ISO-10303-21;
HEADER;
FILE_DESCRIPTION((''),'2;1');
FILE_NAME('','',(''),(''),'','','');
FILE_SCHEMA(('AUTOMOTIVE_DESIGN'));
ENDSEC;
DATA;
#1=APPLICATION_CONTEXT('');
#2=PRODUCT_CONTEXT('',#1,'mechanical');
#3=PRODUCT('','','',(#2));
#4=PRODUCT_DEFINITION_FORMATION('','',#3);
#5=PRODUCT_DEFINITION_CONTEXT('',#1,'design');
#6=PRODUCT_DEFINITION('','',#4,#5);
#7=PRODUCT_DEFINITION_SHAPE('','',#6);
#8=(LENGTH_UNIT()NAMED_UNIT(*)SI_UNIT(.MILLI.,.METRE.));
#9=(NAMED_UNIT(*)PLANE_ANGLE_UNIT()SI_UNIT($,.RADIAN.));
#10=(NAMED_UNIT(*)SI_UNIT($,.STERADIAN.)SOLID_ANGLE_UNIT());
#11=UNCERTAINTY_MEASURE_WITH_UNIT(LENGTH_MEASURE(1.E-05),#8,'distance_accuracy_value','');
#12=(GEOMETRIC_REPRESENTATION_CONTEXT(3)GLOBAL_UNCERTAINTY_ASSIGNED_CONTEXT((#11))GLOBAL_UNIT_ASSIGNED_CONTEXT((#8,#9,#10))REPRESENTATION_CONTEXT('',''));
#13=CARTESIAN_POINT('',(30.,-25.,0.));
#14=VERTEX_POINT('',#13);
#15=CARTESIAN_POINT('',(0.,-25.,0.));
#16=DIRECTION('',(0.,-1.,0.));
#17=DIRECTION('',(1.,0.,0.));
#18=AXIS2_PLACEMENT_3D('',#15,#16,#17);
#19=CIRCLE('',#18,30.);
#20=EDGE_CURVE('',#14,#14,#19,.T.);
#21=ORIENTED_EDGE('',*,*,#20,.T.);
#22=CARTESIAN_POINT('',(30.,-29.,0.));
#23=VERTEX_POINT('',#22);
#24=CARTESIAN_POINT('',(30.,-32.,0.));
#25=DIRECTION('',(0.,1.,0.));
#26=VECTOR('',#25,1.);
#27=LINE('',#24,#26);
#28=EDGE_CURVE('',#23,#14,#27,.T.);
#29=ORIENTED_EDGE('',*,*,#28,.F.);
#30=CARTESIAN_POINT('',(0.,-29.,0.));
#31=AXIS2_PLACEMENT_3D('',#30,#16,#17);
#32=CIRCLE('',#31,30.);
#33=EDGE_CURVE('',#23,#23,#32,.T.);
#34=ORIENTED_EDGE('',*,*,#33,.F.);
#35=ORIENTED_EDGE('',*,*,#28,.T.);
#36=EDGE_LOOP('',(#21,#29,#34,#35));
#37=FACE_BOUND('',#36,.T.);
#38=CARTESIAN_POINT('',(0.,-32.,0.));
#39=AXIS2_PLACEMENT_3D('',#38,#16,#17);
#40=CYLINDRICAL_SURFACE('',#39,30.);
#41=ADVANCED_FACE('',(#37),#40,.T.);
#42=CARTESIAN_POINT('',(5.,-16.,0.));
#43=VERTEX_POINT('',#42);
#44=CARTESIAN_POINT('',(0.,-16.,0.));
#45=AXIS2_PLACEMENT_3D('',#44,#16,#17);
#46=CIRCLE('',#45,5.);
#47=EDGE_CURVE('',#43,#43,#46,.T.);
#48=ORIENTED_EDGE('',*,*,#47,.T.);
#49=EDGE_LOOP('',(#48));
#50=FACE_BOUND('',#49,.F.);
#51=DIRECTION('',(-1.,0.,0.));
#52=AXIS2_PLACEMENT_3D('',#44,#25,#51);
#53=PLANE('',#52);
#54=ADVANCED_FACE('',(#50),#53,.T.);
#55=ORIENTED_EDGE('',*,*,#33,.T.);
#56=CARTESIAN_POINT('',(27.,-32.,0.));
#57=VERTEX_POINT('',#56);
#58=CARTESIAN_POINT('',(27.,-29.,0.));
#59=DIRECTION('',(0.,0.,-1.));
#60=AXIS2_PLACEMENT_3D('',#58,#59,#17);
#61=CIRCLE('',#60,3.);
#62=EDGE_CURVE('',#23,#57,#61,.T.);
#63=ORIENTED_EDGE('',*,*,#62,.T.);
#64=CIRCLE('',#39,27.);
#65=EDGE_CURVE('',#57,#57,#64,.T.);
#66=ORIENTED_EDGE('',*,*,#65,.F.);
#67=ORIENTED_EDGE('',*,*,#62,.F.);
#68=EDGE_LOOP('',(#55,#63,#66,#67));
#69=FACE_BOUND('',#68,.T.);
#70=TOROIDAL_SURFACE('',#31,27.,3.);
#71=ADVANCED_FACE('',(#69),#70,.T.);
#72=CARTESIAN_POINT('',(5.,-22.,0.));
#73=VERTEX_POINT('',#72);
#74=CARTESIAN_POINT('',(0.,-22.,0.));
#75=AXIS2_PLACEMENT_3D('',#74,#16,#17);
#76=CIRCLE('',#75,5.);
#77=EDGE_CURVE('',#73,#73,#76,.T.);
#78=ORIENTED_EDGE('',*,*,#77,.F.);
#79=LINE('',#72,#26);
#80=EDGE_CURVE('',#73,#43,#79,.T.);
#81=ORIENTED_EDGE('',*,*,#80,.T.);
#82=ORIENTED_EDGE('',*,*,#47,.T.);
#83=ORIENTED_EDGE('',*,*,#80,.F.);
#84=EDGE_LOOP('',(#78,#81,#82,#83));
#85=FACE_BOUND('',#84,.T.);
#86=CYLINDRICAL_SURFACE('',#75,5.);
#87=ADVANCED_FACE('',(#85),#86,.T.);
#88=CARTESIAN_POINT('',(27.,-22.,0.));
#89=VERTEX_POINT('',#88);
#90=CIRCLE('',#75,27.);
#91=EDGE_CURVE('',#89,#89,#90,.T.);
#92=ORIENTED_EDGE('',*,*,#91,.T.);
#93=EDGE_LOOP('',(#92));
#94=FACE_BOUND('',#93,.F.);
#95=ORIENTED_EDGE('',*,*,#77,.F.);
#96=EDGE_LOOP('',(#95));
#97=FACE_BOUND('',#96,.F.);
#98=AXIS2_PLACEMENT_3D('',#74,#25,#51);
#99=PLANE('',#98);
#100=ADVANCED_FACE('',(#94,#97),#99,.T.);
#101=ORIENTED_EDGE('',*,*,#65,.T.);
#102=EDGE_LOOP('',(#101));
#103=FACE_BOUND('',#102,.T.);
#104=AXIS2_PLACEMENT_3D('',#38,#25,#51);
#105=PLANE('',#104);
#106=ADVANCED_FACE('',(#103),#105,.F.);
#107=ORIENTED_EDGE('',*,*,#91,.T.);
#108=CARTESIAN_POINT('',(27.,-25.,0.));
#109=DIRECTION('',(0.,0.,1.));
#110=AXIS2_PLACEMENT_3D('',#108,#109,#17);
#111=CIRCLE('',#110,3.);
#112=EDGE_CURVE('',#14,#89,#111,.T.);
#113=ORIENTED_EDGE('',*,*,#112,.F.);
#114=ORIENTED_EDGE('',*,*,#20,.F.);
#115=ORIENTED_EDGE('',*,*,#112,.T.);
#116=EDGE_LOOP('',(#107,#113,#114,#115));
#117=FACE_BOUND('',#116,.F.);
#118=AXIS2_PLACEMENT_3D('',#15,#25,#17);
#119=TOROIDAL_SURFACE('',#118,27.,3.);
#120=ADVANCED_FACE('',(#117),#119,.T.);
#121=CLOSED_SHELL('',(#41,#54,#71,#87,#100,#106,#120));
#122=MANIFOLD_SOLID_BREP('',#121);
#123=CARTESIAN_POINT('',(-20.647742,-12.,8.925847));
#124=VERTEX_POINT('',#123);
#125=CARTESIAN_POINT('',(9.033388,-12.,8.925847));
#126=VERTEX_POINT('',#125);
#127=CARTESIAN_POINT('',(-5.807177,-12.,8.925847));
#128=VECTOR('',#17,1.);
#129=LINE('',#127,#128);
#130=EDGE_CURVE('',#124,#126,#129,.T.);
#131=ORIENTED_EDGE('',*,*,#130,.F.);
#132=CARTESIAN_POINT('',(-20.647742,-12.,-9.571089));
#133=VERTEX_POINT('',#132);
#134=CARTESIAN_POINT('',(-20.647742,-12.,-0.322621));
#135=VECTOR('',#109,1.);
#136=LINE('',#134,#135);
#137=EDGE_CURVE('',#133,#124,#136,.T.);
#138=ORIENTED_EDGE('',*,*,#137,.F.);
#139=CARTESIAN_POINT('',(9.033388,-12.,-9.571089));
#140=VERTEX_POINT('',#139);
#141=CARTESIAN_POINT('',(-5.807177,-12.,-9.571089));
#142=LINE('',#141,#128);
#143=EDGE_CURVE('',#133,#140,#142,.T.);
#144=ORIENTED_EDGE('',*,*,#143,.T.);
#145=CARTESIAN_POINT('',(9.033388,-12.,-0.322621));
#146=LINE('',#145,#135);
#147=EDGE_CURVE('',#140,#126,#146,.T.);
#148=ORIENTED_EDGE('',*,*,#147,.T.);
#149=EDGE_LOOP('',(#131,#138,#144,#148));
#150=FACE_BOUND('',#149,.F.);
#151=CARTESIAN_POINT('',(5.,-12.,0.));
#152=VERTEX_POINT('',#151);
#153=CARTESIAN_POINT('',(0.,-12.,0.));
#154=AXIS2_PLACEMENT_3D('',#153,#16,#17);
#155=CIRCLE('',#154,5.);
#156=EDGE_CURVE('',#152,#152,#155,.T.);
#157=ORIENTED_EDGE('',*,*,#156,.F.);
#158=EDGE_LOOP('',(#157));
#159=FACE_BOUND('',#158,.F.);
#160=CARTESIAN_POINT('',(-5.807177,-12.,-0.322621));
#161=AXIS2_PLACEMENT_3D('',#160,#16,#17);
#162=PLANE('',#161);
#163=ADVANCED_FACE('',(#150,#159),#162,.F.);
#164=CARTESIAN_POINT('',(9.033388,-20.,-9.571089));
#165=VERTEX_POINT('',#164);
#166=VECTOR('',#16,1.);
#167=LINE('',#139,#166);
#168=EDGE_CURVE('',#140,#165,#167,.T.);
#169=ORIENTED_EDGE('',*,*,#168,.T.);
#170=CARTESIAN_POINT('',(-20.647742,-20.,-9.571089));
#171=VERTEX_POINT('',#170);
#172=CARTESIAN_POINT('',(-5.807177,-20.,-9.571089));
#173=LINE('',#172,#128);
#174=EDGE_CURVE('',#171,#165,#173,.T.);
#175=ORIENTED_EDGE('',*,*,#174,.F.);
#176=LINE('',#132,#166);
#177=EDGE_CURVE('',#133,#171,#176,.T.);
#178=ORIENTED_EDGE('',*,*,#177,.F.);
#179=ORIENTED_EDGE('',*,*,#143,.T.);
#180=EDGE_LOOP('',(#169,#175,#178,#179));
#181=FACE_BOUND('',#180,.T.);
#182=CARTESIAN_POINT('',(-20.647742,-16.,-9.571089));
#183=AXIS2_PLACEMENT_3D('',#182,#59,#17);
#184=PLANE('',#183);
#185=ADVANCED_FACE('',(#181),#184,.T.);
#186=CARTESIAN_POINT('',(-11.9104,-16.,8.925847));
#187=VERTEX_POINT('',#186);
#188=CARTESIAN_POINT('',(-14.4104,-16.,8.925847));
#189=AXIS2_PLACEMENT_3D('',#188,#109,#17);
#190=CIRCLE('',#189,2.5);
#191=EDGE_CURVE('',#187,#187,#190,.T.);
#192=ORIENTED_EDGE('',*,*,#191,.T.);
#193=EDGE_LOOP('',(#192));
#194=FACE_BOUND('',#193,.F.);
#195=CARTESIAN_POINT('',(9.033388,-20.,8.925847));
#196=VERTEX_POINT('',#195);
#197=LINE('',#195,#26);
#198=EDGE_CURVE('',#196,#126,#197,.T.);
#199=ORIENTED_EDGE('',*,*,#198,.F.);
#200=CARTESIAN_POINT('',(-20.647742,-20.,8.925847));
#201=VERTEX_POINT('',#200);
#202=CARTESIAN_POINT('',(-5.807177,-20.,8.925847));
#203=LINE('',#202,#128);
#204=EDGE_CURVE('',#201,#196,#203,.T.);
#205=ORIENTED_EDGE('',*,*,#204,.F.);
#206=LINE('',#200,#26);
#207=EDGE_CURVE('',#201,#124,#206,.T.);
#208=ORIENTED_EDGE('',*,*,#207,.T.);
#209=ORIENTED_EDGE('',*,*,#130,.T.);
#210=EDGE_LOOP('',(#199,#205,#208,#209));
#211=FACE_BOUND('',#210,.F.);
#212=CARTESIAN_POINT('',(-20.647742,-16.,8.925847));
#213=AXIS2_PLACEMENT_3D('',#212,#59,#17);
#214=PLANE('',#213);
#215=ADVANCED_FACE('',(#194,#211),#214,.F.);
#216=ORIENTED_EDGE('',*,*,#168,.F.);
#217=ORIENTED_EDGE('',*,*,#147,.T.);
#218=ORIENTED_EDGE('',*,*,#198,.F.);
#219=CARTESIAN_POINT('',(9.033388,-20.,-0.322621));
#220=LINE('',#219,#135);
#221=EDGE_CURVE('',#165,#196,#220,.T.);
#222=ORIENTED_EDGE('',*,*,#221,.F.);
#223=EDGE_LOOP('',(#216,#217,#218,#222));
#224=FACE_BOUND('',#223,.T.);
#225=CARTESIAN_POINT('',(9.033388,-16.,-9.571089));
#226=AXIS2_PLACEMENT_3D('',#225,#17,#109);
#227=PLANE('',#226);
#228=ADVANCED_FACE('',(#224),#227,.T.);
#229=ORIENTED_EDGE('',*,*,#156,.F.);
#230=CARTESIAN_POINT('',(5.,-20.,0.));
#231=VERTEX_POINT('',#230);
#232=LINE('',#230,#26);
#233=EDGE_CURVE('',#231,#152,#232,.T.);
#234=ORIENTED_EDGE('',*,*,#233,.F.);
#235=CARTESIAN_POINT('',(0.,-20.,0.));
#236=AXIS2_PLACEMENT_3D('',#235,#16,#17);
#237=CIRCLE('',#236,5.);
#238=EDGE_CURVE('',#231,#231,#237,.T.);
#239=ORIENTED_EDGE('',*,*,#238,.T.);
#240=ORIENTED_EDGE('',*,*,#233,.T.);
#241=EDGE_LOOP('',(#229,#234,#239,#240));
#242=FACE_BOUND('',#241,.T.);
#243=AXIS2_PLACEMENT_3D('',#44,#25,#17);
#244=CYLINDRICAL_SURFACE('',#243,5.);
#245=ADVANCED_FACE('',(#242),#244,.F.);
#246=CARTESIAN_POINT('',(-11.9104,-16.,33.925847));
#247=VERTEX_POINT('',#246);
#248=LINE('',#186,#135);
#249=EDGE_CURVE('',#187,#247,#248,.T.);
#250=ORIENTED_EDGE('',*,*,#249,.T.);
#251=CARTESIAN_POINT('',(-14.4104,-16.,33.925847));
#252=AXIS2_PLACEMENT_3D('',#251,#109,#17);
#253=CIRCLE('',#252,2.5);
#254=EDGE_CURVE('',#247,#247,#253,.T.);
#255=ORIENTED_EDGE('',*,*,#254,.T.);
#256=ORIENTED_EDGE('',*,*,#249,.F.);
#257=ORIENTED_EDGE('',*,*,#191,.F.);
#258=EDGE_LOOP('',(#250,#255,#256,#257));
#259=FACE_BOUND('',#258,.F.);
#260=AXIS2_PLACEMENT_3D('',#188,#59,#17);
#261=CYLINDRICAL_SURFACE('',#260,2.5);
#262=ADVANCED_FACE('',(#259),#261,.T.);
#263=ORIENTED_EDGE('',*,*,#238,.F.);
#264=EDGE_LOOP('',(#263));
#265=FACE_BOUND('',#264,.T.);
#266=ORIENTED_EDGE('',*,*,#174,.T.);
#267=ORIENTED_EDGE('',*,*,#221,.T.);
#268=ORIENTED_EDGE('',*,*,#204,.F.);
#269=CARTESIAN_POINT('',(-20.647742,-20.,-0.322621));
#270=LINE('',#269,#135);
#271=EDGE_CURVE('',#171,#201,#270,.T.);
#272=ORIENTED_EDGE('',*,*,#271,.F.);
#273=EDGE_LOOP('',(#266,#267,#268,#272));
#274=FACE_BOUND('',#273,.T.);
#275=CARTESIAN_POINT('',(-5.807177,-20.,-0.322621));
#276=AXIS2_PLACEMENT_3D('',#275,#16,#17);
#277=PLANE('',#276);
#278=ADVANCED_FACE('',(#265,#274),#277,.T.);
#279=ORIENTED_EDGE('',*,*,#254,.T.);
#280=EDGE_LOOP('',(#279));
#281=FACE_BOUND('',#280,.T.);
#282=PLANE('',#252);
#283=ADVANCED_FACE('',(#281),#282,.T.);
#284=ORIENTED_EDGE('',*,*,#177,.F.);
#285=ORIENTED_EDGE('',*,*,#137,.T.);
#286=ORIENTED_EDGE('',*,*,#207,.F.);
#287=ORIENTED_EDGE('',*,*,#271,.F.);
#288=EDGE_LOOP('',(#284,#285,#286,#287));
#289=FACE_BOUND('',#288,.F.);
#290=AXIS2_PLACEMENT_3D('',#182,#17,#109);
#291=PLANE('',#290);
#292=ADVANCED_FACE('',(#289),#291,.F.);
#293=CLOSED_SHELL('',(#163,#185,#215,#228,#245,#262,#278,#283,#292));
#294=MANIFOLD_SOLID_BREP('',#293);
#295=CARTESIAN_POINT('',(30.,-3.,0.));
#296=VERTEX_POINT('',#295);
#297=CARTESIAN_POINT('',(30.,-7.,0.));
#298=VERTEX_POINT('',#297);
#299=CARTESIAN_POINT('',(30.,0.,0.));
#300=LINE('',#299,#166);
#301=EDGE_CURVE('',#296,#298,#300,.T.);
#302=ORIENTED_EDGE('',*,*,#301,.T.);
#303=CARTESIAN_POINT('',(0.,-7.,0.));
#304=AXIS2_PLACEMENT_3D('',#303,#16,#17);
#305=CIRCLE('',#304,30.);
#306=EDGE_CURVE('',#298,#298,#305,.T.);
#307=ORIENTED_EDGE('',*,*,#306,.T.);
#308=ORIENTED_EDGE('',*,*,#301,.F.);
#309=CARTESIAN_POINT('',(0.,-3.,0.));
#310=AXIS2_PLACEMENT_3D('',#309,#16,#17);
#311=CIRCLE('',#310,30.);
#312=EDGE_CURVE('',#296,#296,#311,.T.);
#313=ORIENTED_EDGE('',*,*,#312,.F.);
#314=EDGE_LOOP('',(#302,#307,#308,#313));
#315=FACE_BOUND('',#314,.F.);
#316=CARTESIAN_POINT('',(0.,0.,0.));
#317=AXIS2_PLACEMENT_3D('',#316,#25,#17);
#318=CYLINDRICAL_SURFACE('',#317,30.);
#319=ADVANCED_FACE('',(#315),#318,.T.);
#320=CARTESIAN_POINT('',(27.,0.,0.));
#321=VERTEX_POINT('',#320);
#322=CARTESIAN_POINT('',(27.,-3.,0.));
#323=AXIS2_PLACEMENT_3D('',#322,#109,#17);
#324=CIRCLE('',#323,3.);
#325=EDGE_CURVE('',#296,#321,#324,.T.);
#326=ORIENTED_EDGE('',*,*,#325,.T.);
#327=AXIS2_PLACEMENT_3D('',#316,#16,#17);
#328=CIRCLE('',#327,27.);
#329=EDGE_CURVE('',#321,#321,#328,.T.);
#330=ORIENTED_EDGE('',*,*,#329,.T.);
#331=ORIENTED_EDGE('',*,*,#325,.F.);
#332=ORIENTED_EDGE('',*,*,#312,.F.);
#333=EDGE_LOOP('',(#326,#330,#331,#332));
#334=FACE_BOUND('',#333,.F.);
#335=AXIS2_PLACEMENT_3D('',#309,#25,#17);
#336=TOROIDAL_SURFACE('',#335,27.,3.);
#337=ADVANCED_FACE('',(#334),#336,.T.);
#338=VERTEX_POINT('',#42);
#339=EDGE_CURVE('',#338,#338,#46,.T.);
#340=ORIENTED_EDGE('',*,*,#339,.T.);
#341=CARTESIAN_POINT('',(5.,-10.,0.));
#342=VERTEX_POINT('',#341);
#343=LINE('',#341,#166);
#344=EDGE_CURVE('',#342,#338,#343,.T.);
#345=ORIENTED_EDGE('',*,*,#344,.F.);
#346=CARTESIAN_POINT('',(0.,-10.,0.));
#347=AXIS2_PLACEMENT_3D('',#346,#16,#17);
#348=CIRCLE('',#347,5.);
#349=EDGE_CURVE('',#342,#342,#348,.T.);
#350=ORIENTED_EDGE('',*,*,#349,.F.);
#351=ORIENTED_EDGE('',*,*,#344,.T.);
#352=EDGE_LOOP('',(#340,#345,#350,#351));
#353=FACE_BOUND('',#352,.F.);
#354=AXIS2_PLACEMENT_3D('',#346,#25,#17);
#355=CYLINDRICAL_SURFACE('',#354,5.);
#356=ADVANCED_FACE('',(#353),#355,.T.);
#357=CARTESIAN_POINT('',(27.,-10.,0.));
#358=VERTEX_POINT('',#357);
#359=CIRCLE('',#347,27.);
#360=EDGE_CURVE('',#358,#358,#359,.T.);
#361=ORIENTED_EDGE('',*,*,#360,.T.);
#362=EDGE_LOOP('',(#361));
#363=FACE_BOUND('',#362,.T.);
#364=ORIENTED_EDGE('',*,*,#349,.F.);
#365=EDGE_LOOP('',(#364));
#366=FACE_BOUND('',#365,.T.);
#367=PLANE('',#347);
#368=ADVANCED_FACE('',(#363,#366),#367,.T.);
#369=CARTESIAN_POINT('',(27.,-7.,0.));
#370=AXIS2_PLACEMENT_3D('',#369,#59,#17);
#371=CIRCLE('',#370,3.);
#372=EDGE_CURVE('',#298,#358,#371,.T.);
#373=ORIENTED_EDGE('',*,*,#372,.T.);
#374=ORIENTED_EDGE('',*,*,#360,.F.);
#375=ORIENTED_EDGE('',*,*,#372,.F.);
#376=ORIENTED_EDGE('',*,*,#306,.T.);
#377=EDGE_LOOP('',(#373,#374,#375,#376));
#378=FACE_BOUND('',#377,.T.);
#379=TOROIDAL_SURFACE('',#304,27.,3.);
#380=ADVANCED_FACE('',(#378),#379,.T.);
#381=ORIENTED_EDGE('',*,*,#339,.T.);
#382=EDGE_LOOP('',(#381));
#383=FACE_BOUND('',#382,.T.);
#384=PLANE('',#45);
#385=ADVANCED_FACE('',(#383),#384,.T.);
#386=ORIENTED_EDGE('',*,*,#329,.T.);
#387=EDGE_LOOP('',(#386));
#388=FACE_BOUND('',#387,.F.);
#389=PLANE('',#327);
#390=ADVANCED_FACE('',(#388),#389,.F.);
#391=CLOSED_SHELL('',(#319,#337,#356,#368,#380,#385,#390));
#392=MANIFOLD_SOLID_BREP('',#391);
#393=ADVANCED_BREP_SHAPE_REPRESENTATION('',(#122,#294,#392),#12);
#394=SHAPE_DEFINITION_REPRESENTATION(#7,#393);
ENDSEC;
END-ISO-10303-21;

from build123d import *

# Parameters (mm, degrees)
F0_R      = 30
F1_DEPTH  = 10
F2_R      = 3
F3_R      = 3
F4_R      = 5
F5_DEPTH  = 6
F7_W      = 29.68113
F7_H      = 18.496936
F7_R      = 5
F8_DEPTH  = 4
F9_R      = 2.5
F10_DEPTH = 25


with BuildPart() as f1:
    # F0 (on Front) → F1 (new body)
    with BuildSketch(Plane.XZ):
        Circle(F0_R)
    extrude(amount=F1_DEPTH)

    # F2
    f2_edges = [f1.edges().sort_by_distance(p)[0] for p in [
        (-30, -10, 0),
    ]]
    fillet(f2_edges, radius=F2_R)

    # F3
    f3_edges = [f1.edges().sort_by_distance(p)[0] for p in [
        (-30, 0, 0),
    ]]
    fillet(f3_edges, radius=F3_R)

    # F4 (on face) → F5 (join)
    with BuildSketch(Plane.XZ.offset(10)):
        Circle(F4_R)
    extrude(amount=F5_DEPTH)


with BuildPart() as f6_1:
    # F6: instance of F1
    add(f1.part.mirror(Plane.XZ.offset(16)))


with BuildPart() as f8:
    # F7 (on face) → F8 (new body, symmetric)
    with BuildSketch(Plane.XZ.offset(16)):
        with Locations((-5.807177, -0.322621)):
            Rectangle(F7_W, F7_H)
        Circle(F7_R, mode=Mode.SUBTRACT)
    extrude(amount=F8_DEPTH, both=True)

    # F9 (on face) → F10 (join)
    with BuildSketch(Plane.XY.offset(8.925847)):
        with Locations((-14.4104, -16)):
            Circle(F9_R)
    extrude(amount=F10_DEPTH)


solid = Compound([f1.part, f6_1.part, f8.part])
